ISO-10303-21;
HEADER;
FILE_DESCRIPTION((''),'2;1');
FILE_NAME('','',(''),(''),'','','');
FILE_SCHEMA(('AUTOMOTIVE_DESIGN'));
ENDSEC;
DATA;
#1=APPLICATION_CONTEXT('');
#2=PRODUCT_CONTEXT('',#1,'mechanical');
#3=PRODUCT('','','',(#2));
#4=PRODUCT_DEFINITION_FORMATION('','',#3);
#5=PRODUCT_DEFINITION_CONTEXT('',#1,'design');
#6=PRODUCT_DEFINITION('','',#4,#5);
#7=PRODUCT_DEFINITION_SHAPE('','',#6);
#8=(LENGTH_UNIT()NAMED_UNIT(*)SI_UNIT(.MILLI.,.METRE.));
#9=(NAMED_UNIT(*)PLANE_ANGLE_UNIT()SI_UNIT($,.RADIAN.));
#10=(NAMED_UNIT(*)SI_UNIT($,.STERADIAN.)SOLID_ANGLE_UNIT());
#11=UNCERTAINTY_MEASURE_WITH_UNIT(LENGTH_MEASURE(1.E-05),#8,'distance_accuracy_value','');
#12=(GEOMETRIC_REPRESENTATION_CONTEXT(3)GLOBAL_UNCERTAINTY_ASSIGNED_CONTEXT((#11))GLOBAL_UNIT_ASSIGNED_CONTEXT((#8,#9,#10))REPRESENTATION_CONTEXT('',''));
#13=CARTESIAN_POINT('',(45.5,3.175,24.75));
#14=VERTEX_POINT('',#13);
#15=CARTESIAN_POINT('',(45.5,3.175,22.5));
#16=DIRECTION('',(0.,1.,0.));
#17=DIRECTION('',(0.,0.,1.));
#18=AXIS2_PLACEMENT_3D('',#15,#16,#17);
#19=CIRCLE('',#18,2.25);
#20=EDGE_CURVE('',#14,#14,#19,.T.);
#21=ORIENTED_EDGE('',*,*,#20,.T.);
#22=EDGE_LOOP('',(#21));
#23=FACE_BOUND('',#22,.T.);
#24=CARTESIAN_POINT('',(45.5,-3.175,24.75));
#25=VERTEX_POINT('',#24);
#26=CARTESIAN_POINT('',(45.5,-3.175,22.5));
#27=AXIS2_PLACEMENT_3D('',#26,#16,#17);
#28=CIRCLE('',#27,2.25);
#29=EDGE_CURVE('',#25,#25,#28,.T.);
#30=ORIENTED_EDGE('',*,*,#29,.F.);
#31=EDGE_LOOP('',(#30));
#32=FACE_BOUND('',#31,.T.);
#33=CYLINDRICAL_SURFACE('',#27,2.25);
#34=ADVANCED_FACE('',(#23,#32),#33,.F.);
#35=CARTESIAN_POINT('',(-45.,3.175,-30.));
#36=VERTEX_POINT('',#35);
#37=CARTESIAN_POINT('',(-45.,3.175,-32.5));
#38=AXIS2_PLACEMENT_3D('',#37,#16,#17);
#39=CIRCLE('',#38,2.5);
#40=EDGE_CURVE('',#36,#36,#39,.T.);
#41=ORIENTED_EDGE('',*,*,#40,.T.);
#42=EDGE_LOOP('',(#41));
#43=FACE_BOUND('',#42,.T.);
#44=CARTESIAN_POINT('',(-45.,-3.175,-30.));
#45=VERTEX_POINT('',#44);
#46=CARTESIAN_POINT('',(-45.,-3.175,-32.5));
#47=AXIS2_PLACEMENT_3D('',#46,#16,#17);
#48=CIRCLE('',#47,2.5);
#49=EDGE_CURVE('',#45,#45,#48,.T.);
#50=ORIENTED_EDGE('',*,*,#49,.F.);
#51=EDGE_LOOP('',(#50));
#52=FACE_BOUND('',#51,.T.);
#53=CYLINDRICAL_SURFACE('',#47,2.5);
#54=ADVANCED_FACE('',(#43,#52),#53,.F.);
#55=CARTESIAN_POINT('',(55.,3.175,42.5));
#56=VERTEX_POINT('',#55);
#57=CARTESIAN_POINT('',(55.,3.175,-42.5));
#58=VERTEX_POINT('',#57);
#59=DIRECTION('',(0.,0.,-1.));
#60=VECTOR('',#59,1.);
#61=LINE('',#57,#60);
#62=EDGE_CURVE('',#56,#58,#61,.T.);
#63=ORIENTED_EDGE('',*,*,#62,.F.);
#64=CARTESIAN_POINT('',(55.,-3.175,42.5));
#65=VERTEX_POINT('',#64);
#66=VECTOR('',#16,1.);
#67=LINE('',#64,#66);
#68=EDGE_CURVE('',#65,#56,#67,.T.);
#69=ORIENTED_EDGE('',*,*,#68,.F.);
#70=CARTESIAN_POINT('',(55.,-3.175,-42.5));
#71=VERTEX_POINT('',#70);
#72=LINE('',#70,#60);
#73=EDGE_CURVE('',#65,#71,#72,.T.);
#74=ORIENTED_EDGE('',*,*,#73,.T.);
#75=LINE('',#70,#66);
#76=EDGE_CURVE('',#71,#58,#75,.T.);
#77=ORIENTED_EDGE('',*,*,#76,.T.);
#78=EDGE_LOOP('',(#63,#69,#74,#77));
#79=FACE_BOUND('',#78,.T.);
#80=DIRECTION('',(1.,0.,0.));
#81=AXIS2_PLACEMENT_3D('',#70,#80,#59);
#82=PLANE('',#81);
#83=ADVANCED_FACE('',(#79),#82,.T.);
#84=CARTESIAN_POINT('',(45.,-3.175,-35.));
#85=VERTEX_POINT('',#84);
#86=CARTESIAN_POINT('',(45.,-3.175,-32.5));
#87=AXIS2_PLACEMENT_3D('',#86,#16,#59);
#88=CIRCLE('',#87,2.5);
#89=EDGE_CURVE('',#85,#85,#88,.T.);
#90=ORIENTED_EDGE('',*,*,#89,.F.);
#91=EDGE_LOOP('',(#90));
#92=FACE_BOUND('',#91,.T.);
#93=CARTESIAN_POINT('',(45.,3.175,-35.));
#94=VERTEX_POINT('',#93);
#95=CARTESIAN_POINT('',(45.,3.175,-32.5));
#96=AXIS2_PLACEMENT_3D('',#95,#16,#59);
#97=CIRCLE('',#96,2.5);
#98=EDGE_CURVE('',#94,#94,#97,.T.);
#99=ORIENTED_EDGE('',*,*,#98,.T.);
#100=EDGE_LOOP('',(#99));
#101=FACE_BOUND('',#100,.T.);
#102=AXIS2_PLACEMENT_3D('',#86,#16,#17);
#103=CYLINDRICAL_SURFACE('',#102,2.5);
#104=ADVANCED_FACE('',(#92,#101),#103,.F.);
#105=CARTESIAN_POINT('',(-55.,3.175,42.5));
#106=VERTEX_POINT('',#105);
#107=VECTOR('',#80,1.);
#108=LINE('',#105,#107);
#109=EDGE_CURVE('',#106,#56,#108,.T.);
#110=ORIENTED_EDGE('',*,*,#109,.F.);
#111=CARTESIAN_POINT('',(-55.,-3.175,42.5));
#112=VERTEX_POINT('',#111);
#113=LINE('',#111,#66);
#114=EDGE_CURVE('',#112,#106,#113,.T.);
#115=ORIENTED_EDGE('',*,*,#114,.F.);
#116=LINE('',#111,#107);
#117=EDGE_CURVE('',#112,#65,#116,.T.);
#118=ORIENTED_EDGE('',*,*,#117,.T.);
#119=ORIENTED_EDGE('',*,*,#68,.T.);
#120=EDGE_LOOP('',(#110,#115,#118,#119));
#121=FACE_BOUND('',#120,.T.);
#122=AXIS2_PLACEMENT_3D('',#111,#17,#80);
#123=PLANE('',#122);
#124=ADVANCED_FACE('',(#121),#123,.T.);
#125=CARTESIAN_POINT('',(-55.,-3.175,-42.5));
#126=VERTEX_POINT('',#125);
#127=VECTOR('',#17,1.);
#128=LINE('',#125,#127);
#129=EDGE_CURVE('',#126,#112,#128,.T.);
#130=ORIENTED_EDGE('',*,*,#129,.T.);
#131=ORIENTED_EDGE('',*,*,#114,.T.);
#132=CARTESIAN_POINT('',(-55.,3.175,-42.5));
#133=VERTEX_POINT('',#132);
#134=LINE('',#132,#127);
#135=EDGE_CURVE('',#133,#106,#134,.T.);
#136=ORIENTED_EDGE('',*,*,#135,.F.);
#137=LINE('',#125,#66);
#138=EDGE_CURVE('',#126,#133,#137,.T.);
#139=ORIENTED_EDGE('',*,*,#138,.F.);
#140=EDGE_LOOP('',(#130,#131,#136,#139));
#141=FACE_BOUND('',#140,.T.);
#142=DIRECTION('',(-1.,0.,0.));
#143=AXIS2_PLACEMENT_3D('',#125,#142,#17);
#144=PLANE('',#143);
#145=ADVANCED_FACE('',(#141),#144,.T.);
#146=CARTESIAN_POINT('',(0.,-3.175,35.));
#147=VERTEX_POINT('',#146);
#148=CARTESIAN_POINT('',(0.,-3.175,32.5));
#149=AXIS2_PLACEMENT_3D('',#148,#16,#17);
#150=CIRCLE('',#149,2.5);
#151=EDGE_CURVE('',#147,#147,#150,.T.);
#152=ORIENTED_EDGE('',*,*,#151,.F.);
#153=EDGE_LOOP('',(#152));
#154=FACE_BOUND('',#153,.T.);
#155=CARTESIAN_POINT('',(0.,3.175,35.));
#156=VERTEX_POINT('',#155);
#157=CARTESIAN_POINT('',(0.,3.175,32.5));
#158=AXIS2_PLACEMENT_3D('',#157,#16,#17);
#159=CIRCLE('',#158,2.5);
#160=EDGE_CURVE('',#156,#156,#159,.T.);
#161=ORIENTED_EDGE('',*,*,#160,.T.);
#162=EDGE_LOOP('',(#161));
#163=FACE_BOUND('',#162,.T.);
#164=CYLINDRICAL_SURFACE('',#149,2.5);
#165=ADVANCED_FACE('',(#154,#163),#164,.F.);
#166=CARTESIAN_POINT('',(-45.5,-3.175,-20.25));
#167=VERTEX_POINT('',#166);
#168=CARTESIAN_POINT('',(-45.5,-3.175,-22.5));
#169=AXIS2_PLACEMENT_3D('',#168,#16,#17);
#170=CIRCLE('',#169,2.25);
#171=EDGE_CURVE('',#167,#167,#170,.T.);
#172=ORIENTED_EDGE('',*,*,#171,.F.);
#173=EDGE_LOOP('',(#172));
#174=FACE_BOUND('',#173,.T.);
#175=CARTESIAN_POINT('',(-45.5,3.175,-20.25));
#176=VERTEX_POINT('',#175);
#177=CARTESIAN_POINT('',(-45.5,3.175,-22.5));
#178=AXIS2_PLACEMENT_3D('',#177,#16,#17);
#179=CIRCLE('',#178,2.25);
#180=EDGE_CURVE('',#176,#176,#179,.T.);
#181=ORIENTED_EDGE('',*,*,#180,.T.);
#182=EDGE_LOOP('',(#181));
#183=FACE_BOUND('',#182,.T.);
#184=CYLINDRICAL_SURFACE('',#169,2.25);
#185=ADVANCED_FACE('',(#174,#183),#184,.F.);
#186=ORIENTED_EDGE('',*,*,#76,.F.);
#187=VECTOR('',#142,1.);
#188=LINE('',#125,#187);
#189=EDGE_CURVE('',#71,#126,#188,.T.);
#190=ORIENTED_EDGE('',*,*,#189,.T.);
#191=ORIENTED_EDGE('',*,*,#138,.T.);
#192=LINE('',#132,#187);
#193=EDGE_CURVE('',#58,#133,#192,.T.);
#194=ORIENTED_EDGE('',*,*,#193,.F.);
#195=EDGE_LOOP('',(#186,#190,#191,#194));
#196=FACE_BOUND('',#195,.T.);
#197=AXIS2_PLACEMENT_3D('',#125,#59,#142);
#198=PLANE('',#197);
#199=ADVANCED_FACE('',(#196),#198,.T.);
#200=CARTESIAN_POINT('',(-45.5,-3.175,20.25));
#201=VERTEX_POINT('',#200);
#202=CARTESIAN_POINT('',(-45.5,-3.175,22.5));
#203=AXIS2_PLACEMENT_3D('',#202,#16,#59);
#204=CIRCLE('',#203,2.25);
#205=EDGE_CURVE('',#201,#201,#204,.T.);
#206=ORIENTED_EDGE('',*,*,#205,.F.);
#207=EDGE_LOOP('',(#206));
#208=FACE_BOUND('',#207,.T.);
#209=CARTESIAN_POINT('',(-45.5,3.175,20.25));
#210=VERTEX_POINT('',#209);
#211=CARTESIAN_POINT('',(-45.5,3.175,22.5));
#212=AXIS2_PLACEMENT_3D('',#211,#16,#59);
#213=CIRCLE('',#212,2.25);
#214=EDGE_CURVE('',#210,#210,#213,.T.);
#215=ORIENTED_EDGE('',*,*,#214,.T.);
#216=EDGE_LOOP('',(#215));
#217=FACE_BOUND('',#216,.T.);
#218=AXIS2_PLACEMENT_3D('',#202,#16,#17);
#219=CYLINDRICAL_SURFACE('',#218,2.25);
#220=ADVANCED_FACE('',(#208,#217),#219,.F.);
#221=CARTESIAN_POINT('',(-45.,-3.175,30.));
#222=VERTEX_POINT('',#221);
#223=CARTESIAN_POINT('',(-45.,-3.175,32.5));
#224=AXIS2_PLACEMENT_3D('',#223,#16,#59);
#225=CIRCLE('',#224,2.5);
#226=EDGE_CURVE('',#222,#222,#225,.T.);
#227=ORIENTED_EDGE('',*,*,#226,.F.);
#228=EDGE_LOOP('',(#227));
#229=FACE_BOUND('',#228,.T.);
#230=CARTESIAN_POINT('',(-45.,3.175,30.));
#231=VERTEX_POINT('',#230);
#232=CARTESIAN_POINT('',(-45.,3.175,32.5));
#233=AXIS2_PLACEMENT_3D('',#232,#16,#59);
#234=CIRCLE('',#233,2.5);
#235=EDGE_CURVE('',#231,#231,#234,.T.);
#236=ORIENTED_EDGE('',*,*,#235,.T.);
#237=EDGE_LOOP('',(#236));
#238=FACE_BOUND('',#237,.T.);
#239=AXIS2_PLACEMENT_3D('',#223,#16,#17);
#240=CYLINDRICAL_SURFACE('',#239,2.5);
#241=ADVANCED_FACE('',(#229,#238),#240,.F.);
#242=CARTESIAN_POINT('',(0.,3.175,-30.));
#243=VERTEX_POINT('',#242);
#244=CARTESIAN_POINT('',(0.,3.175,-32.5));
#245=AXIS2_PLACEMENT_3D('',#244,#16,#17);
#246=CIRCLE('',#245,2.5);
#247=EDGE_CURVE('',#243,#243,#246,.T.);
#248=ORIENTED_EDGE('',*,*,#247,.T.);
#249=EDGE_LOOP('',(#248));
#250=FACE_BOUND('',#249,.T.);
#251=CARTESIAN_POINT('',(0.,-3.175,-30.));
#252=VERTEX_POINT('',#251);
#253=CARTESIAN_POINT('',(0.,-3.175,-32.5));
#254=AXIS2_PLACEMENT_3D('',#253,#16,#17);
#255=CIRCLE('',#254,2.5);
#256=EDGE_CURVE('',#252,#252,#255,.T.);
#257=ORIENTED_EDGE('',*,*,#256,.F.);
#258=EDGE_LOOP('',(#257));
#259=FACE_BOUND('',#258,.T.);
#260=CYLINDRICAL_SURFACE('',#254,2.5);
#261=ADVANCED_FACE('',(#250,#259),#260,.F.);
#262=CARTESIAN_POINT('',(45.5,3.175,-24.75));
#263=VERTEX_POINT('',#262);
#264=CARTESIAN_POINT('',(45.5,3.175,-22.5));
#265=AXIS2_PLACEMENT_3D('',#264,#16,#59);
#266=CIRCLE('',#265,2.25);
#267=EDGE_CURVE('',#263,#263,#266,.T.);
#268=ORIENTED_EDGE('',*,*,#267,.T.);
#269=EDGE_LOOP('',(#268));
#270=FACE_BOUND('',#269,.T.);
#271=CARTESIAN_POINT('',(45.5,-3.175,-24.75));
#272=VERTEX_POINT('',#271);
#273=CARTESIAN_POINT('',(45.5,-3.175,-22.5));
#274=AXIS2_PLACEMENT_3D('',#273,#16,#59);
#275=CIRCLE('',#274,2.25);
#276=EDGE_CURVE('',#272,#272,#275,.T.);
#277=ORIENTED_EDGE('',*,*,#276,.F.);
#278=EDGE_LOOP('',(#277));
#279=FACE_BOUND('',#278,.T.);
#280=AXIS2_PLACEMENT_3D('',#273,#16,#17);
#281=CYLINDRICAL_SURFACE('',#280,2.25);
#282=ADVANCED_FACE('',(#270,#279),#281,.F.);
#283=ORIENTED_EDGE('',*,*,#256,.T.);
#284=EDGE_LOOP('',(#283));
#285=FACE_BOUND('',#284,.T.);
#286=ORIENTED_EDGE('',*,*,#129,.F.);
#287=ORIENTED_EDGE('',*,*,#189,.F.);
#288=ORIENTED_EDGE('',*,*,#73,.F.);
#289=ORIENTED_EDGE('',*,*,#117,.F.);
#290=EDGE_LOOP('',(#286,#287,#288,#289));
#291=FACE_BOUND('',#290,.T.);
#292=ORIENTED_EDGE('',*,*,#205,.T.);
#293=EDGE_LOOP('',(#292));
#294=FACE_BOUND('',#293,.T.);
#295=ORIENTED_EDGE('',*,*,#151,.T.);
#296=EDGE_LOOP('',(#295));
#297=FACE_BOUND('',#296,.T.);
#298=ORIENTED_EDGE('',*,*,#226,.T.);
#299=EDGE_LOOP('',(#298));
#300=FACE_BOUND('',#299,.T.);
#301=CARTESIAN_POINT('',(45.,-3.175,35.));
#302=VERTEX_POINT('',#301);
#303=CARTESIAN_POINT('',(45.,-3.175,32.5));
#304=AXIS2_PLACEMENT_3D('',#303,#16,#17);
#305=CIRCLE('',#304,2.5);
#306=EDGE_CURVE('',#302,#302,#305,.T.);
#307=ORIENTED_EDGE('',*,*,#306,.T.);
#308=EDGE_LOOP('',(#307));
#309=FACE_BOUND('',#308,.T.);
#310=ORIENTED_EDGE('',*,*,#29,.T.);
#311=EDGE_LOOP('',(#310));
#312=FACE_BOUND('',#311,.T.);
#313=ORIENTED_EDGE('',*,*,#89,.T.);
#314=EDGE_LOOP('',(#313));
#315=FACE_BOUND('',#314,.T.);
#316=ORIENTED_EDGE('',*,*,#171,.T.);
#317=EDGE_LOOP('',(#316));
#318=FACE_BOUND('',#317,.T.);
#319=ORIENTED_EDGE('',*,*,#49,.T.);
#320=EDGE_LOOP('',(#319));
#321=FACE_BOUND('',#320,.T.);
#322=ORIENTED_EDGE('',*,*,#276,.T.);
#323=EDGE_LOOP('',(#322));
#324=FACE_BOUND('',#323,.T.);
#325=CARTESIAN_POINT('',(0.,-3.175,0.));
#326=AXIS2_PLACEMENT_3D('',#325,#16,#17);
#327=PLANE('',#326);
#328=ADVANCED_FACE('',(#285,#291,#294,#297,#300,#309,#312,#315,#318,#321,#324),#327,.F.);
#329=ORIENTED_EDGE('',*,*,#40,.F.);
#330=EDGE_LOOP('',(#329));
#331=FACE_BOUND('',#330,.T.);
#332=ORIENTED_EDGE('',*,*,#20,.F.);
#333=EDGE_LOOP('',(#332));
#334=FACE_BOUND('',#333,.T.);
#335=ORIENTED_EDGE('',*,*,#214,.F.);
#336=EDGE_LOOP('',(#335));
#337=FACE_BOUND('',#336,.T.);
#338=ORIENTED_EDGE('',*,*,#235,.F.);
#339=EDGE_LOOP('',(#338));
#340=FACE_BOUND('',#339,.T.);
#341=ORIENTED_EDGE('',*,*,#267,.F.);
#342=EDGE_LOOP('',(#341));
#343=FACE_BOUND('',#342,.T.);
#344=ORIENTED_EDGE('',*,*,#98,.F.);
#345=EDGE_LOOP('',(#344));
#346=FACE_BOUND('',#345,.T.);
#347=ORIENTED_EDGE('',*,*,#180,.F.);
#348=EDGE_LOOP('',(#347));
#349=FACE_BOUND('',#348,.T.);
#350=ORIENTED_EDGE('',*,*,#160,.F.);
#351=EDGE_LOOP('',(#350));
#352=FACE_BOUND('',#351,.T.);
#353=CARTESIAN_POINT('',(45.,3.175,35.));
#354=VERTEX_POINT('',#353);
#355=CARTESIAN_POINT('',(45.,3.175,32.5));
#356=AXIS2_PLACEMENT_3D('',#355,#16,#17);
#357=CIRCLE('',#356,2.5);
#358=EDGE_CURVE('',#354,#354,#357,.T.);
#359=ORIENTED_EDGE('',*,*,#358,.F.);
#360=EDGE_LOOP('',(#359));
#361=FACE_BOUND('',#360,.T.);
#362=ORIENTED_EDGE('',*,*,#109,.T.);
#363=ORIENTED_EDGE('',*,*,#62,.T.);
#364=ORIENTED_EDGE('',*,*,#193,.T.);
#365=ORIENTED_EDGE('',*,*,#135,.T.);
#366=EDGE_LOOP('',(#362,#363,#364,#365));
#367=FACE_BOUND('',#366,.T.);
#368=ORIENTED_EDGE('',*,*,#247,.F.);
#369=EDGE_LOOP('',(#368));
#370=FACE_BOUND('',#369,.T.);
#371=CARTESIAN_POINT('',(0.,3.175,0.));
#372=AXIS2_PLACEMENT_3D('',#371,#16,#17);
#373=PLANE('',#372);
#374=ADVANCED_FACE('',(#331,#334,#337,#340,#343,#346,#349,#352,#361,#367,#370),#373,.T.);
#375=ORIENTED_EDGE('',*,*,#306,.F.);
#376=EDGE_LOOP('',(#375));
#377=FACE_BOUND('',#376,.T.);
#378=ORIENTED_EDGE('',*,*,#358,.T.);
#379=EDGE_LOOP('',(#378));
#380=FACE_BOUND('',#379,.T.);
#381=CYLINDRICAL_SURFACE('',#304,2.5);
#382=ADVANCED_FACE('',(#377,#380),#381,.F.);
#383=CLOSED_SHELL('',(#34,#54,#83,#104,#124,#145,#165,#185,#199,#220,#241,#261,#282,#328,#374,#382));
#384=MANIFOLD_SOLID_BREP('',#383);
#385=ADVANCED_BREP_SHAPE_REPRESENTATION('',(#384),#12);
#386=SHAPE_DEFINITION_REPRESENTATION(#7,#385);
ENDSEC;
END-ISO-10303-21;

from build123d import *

# Parameters (mm, degrees)
BOSS_EXTRUDE1_DEPTH      = 3.175
BOSS_EXTRUDE1_DEPTH_BACK = 3.175
SKETCH1_W                = 110
SKETCH1_H                = 85
SKETCH1_R                = 2.25
SKETCH1_R_2              = 2.5


with BuildPart() as part:
    # Sketch1 → Boss-Extrude1 (new, two sides: drawn at the far end of the back side and taken through both)
    with BuildSketch(Plane(origin=(0, 0, 0), x_dir=(1, 0, 0), z_dir=(0, 1, 0)).offset(-BOSS_EXTRUDE1_DEPTH_BACK)):
        Rectangle(SKETCH1_W, SKETCH1_H)
        with Locations((-45.5, 22.5)):
            Circle(SKETCH1_R, mode=Mode.SUBTRACT)
        with Locations((45.5, 22.5)):
            Circle(SKETCH1_R, mode=Mode.SUBTRACT)
        with Locations((45.5, -22.5)):
            Circle(SKETCH1_R, mode=Mode.SUBTRACT)
        with Locations((-45.5, -22.5)):
            Circle(SKETCH1_R, mode=Mode.SUBTRACT)
        with Locations((45, -32.5)):
            Circle(SKETCH1_R_2, mode=Mode.SUBTRACT)
        with Locations((-45, -32.5)):
            Circle(SKETCH1_R_2, mode=Mode.SUBTRACT)
        with Locations((-45, 32.5)):
            Circle(SKETCH1_R_2, mode=Mode.SUBTRACT)
        with Locations((45, 32.5)):
            Circle(SKETCH1_R_2, mode=Mode.SUBTRACT)
        with Locations((0, -32.5)):
            Circle(SKETCH1_R_2, mode=Mode.SUBTRACT)
        with Locations((0, 32.5)):
            Circle(SKETCH1_R_2, mode=Mode.SUBTRACT)
    extrude(amount=BOSS_EXTRUDE1_DEPTH + BOSS_EXTRUDE1_DEPTH_BACK)


solid = part.part
